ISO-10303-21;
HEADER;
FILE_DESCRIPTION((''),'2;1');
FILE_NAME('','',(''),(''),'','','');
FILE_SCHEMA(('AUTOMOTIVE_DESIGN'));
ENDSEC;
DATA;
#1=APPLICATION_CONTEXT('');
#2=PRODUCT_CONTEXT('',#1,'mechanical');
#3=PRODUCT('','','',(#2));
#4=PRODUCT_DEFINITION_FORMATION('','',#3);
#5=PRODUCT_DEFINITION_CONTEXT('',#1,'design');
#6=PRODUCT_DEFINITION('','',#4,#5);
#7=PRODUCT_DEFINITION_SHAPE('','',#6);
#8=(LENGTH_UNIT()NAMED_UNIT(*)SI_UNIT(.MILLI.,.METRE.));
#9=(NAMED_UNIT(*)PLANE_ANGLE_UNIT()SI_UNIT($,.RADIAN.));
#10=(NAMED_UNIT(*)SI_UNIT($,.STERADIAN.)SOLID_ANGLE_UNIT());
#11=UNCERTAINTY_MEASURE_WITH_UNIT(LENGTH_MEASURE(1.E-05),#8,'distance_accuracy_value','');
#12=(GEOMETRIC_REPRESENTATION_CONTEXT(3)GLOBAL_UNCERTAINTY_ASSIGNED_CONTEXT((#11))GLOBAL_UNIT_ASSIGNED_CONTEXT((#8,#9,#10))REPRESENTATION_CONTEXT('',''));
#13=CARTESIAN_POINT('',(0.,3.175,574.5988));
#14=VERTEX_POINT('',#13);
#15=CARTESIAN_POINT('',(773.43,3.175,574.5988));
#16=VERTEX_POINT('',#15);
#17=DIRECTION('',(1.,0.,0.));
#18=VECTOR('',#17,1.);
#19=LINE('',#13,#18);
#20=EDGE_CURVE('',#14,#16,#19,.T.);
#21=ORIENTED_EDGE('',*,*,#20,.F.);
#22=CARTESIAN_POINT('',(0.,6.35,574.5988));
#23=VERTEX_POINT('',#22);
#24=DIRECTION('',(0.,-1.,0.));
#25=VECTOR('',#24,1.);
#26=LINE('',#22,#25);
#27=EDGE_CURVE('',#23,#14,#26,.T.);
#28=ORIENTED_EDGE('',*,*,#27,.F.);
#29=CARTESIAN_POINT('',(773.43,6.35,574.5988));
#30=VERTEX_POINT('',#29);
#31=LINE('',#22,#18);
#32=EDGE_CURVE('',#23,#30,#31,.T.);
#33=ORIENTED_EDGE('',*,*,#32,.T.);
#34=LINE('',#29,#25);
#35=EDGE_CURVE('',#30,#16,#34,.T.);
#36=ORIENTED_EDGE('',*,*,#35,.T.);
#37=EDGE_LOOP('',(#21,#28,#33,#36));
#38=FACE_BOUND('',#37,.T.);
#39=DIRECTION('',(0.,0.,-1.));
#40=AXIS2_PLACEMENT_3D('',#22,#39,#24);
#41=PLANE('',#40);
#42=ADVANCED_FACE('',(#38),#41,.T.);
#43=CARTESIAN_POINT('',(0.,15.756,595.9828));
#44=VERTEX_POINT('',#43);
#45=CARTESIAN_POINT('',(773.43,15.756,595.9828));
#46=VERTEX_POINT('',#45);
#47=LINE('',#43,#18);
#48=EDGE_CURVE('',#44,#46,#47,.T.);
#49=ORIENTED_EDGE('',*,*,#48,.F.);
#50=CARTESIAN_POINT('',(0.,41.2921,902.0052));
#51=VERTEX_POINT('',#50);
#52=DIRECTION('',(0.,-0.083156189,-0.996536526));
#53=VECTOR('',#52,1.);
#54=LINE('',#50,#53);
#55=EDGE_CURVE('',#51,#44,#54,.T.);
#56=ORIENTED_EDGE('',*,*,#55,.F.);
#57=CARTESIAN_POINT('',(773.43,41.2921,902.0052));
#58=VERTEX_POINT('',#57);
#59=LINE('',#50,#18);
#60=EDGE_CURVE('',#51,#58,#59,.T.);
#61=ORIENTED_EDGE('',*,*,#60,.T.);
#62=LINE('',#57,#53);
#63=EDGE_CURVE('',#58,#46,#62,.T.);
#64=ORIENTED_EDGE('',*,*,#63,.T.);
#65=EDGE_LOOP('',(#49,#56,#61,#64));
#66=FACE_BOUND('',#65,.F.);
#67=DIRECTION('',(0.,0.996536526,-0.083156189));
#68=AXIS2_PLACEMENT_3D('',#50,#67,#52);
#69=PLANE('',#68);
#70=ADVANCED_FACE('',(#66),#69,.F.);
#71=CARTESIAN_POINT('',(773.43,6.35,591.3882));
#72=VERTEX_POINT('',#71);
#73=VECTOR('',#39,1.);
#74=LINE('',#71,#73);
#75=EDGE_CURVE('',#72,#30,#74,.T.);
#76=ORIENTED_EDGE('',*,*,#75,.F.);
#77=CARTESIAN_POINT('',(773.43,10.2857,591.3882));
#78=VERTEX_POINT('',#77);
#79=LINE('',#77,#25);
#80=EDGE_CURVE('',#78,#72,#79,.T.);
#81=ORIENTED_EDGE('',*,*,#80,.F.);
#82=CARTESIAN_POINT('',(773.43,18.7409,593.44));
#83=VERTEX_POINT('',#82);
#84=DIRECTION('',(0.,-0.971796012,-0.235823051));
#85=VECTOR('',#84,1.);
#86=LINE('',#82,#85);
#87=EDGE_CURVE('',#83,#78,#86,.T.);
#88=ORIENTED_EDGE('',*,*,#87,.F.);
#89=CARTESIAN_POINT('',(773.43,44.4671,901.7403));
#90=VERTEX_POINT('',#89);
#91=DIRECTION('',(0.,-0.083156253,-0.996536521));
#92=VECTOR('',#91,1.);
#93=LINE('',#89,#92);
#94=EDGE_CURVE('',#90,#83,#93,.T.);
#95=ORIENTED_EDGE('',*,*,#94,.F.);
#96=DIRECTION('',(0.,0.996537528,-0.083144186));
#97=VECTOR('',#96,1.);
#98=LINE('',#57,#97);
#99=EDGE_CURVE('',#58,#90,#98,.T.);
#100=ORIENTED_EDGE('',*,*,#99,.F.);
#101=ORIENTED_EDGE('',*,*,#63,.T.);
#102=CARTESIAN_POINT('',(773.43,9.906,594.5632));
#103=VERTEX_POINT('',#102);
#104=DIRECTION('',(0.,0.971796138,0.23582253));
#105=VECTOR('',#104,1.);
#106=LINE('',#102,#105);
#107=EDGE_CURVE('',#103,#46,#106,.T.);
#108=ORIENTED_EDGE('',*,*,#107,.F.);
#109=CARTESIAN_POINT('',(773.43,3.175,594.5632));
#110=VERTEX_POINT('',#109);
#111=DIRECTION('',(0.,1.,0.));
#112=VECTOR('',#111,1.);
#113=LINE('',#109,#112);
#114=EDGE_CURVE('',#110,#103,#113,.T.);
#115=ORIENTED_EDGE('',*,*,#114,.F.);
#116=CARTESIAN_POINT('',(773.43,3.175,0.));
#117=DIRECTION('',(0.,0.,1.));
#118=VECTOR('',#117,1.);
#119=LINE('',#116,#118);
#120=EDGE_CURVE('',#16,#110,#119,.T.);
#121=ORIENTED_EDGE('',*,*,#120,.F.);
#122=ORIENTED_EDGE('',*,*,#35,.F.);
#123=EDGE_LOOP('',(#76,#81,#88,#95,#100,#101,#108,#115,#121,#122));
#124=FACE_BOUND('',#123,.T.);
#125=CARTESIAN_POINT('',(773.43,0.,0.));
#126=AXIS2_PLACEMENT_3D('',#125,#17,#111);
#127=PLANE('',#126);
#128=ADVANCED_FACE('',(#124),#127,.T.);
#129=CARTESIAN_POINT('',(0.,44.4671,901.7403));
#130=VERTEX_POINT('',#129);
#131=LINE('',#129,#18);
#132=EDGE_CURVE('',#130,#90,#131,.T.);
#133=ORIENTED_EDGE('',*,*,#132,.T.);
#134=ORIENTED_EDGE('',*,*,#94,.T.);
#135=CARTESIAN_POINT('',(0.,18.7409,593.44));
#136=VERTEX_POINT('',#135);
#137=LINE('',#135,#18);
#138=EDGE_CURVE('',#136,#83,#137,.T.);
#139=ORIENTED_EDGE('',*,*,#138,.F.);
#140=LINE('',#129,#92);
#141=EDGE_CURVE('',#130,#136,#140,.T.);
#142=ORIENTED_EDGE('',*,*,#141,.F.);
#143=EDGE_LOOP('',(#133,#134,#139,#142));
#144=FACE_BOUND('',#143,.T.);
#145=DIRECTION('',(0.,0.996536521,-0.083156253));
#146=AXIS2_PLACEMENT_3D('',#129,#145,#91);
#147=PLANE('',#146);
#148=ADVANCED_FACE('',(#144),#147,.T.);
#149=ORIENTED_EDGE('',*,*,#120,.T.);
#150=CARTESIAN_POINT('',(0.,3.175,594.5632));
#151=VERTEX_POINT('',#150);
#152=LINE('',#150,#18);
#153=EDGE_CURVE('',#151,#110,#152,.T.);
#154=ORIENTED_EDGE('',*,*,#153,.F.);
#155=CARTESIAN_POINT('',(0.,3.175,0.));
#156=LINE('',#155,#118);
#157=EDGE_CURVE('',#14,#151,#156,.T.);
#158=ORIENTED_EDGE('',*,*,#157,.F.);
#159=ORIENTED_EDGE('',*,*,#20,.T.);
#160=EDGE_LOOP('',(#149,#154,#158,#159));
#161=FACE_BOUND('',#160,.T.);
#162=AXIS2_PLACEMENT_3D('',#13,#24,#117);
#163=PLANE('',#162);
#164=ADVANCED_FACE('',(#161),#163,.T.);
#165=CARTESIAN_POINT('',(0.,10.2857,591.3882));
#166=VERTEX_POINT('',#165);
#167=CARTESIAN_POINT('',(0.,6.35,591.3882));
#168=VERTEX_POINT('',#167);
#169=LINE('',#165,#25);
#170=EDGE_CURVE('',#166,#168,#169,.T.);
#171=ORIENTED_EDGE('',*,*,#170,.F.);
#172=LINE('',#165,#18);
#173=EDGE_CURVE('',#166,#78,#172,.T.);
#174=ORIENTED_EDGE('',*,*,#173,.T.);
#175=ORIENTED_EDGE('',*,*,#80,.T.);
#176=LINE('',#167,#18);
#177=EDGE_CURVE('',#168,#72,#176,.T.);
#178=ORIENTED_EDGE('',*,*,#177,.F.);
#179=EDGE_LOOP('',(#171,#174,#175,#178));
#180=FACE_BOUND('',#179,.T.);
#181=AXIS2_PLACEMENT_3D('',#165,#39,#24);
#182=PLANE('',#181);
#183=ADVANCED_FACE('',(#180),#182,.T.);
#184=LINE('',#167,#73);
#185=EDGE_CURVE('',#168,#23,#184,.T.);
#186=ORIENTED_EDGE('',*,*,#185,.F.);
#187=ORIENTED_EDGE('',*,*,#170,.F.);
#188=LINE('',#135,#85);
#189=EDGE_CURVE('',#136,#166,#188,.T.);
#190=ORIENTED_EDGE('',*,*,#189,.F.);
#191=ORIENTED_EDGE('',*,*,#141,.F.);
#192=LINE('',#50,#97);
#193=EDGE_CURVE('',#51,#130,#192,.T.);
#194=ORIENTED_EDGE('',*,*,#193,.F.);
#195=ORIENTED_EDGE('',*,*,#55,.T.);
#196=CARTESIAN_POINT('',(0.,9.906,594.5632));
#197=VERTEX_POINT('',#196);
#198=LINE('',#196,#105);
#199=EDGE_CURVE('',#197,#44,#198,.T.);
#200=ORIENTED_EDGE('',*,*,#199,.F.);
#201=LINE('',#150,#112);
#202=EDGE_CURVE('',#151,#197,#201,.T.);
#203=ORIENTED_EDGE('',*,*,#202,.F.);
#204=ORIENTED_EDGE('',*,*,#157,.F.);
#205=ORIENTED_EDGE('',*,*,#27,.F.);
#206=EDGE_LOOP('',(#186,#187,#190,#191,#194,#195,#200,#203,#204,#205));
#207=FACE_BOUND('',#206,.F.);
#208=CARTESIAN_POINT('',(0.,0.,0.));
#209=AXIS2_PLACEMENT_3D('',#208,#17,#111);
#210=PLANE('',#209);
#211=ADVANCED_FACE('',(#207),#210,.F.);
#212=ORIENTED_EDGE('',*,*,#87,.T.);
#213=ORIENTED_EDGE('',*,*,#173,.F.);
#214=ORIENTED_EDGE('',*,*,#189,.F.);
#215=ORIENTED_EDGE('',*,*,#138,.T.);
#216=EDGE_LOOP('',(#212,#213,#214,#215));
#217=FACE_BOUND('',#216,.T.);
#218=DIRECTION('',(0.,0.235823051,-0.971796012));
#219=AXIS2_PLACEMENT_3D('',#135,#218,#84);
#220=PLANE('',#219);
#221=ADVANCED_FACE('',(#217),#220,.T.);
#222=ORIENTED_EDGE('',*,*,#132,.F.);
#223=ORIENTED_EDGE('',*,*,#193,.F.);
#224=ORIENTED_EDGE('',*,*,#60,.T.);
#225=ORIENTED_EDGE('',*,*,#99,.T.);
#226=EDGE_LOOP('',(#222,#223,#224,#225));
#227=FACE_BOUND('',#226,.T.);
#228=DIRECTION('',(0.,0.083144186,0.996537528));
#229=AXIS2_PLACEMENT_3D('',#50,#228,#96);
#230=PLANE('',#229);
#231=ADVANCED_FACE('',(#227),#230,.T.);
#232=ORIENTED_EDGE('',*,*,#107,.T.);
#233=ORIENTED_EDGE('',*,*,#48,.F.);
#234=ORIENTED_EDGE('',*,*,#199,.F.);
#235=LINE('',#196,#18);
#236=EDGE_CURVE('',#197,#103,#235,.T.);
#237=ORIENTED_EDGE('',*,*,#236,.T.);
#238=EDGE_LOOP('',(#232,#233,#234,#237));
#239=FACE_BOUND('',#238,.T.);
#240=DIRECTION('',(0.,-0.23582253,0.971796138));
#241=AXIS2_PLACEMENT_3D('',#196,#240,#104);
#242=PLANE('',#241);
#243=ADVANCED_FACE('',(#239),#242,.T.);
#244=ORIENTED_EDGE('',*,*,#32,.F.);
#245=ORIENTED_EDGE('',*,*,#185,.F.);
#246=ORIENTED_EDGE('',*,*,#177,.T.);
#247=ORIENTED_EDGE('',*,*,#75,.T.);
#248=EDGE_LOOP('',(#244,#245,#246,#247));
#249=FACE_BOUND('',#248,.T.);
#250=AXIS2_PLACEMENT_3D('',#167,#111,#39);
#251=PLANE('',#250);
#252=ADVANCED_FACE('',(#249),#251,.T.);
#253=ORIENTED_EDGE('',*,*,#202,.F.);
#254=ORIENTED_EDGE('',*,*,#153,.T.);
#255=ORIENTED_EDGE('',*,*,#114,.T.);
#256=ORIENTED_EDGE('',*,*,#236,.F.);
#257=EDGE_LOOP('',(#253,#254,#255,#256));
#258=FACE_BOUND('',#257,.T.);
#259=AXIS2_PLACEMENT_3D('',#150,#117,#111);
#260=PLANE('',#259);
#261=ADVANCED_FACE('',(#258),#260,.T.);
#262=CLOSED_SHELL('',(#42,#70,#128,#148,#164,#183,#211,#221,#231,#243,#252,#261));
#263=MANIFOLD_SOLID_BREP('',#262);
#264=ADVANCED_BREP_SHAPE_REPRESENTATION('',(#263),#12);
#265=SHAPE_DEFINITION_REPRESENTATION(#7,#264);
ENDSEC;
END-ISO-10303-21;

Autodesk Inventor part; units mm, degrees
ref_plane "YZ Plane" through (0, 0, 0) normal (1, 0, 0) x (0, 1, 0)
ref_plane "XZ Plane" through (0, 0, 0) normal (0, 1, 0) x (-1, 0, 0)
ref_plane "XY Plane" through (0, 0, 0) normal (0, 0, 1) x (1, 0, 0)
sketch "Sketch1" plane through (0, 0, 0) normal (1, 0, 0) x (0, 1, 0)
  line L0 (0, 0) -> (0, 597.7382)
  line L1 (0, 0) -> (3.175, 0)
  line L2 (3.175, 0) -> (3.175, 594.5632)
  line L3 (3.175, 594.5632) -> (9.906, 594.5632)
  line L4 (9.906, 594.5632) -> (15.756, 595.9828)
  line L5 (0, 597.7382) -> (9.5263, 597.7382)
  line L6 (9.5263, 597.7382) -> (12.7824, 598.5283)
  line L7 (41.2921, 902.0052) -> (15.756, 595.9828)
  line L8 (12.7824, 598.5283) -> (38.1281, 902.2692)
  line L9 (38.1281, 902.2692) -> (41.2921, 902.0052)
  line L10 (41.2921, 902.0052) -> (44.4671, 901.7403)
  line L11 (44.4671, 901.7403) -> (18.7409, 593.44)
  line L12 (18.7409, 593.44) -> (10.2857, 591.3882)
  line L13 (10.2857, 591.3882) -> (6.35, 591.3882)
  line L14 (6.35, 591.3882) -> (6.35, 574.5988)
  line L15 (6.35, 574.5988) -> (3.175, 574.5988)
  dimension "d0" = 594.5632
  dimension "d1" = 3.175
  dimension "d2" = 6.731
  dimension "d7" = 3.175
  dimension "d8" = 6.0198
  dimension "d9" = 166.36
  dimension "d10" = 3.175
  dimension "d11" = 108.41
  dimension "d12" = 3.175
  dimension "d13" = 307.086
  dimension "d16" = 3.175
  dimension "d18" = 3.175
  dimension "d20" = 307.1025
  dimension "d21" = 8.7006
  dimension "d22" = 3.175
  dimension "d23" = 3.175
  dimension "d24" = 3.9357
  dimension "d25" = 16.7894
extrude "Extrusion2" add sketch "Sketch1" along normal blind 773.43 contours L2 L3 L4 L7 L10 L11 L12 L13 L14 L15
properties part number "First_Shingle_Over_Intake_Vent_With_Length_30.45_Inches"
